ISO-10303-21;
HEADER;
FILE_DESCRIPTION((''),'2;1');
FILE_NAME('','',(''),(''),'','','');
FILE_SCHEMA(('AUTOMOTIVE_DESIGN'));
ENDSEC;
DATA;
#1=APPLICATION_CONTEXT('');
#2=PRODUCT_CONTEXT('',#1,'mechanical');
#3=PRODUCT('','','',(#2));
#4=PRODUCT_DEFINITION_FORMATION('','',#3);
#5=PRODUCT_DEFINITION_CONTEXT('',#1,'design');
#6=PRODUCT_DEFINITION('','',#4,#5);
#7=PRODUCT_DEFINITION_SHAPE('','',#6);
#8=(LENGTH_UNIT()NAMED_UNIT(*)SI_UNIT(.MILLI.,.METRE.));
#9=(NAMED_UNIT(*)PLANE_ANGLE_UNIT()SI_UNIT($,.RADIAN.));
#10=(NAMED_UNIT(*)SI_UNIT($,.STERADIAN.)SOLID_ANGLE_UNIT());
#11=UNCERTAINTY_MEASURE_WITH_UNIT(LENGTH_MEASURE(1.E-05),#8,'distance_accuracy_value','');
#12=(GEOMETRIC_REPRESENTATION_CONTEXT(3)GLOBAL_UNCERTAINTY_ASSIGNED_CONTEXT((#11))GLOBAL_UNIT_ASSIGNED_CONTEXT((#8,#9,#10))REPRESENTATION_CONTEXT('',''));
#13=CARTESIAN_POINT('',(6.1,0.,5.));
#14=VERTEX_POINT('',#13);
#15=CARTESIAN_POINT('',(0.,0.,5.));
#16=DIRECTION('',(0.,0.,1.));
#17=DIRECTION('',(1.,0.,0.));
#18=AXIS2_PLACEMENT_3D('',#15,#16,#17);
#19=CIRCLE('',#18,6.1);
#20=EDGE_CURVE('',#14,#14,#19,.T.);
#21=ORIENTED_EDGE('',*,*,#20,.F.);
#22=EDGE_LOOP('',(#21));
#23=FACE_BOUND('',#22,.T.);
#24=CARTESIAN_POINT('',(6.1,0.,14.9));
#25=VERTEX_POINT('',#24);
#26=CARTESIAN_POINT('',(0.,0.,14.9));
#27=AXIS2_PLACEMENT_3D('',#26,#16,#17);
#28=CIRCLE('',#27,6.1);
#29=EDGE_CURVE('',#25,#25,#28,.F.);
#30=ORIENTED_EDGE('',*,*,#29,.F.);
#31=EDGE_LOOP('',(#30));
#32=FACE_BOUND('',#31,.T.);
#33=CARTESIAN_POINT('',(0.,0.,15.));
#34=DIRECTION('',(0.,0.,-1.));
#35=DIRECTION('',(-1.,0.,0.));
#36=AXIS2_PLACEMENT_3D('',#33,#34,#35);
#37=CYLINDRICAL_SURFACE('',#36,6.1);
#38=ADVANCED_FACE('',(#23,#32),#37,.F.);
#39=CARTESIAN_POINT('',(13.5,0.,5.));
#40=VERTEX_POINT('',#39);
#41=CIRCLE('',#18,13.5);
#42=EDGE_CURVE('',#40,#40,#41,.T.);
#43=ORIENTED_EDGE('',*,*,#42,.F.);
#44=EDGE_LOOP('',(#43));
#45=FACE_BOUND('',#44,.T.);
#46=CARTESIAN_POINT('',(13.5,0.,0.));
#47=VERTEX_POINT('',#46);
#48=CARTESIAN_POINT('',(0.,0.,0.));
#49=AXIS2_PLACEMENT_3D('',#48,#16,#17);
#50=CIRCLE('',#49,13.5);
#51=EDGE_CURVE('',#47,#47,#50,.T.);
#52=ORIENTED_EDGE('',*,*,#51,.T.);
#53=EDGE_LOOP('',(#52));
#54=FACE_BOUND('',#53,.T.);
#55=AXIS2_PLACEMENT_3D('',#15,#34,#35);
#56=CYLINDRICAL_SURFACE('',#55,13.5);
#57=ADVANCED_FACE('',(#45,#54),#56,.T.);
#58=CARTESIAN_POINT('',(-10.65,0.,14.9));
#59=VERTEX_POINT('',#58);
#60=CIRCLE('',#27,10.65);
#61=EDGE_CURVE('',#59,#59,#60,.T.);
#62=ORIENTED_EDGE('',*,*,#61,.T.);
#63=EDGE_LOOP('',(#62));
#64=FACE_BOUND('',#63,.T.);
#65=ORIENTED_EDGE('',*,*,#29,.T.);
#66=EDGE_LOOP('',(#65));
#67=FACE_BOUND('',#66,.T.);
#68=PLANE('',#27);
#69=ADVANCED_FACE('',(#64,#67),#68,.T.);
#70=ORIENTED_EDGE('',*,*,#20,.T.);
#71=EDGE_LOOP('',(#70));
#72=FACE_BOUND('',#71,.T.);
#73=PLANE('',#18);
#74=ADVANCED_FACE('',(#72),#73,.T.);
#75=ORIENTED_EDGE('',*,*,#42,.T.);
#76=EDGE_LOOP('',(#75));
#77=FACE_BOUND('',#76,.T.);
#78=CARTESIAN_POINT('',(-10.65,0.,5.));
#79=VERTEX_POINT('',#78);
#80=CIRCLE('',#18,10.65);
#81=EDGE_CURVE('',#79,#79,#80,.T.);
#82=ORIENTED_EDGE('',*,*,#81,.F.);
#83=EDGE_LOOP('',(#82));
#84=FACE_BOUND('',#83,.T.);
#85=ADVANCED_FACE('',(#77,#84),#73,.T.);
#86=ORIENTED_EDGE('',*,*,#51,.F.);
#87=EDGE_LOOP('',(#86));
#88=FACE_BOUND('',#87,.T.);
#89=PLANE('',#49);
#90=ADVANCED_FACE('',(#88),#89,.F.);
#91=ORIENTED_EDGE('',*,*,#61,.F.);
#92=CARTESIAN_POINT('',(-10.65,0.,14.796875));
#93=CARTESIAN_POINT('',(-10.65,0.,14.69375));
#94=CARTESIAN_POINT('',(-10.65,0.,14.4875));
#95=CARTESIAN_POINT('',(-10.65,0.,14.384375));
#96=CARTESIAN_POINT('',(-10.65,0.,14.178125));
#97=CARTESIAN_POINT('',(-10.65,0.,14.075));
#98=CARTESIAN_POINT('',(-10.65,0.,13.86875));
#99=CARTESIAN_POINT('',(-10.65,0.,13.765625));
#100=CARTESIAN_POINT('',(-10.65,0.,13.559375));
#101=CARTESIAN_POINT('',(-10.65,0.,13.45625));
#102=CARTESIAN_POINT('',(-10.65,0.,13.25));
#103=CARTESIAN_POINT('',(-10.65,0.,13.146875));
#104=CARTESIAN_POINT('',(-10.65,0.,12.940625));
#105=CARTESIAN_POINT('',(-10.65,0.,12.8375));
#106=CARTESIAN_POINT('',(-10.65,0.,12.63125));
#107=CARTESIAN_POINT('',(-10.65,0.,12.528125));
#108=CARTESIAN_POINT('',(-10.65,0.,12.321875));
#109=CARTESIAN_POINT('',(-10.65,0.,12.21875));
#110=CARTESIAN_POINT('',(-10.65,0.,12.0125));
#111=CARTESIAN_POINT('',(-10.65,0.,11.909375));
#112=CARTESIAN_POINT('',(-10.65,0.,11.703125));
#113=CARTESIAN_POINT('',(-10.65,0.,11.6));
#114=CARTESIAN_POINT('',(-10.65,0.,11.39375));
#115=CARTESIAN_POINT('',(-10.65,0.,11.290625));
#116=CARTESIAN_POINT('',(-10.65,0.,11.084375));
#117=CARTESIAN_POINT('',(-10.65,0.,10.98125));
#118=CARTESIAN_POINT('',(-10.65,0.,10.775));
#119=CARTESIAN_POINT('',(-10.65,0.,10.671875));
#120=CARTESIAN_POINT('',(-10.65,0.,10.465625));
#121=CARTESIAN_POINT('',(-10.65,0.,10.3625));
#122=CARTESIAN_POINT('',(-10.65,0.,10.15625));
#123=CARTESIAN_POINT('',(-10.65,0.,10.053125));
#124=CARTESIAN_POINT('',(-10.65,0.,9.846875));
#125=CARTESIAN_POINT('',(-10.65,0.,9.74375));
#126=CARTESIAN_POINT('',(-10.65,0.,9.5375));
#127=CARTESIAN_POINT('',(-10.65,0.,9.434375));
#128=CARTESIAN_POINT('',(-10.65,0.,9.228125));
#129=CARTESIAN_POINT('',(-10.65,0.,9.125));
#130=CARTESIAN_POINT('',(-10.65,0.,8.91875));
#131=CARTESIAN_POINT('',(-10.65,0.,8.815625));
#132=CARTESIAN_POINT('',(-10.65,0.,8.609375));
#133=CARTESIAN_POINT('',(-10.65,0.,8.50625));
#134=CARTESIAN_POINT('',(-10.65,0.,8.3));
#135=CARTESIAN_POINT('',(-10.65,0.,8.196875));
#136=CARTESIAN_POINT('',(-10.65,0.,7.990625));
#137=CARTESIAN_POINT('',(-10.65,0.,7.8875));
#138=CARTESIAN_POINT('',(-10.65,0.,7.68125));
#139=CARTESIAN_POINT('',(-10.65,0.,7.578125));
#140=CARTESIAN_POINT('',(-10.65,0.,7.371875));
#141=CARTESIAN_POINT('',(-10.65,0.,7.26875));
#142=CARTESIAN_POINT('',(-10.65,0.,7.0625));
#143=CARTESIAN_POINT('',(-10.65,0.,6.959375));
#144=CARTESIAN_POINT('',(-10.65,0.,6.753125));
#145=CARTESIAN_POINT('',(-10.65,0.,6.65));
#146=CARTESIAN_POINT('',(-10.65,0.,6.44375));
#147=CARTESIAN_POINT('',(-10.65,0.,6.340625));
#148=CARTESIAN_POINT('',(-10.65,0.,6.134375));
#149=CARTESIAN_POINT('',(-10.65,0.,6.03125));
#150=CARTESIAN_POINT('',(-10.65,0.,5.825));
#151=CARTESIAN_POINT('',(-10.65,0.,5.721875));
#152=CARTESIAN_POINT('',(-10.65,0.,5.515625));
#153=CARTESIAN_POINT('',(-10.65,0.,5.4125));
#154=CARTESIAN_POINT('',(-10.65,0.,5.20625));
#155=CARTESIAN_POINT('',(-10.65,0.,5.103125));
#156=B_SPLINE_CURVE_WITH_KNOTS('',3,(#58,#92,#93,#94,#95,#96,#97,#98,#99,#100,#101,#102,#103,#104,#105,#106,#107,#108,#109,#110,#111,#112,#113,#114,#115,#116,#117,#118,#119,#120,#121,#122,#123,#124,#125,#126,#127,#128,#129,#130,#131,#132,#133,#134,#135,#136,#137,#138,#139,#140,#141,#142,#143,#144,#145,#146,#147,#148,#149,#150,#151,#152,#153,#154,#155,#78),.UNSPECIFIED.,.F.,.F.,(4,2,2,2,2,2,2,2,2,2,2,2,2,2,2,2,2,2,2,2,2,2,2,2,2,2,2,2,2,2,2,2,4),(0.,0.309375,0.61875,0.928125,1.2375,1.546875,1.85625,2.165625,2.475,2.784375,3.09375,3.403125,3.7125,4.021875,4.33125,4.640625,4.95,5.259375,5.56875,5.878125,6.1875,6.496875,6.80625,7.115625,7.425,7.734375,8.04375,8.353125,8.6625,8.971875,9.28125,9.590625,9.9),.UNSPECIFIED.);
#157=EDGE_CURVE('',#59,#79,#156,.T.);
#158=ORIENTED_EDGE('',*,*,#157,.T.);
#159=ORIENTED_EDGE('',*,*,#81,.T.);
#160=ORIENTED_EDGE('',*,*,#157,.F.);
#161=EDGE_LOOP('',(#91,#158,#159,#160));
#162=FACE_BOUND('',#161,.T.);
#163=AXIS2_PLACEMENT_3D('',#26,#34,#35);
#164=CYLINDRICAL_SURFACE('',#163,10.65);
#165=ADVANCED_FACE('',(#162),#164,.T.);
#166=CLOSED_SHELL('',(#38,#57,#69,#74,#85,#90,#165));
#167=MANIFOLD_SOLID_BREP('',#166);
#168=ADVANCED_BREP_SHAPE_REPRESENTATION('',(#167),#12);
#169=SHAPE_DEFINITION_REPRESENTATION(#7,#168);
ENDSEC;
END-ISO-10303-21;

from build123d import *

# Parameters (mm, degrees)
SKETCH1_R           = 13.5
BOSS_EXTRUDE1_DEPTH = 5
SKETCH2_R           = 10.65
BOSS_EXTRUDE2_DEPTH = 9.9
SKETCH5_R           = 6.1
CUT_EXTRUDE1_DEPTH  = 10


with BuildPart() as part:
    # Sketch1 → Boss-Extrude1 (new body)
    with BuildSketch(Plane.XY):
        Circle(SKETCH1_R)
    extrude(amount=BOSS_EXTRUDE1_DEPTH)

    # Sketch2 → Boss-Extrude2 (add)
    with BuildSketch(Plane.XY.offset(5)):
        with Locations(Location((0, 0, 0), (0, 0, 180))):
            Circle(SKETCH2_R)
    extrude(amount=BOSS_EXTRUDE2_DEPTH)

    # Sketch5 → Cut-Extrude1 (cut)
    with BuildSketch(Plane.XY.offset(5)):
        Circle(SKETCH5_R)
    extrude(amount=CUT_EXTRUDE1_DEPTH, mode=Mode.SUBTRACT)


solid = part.part
